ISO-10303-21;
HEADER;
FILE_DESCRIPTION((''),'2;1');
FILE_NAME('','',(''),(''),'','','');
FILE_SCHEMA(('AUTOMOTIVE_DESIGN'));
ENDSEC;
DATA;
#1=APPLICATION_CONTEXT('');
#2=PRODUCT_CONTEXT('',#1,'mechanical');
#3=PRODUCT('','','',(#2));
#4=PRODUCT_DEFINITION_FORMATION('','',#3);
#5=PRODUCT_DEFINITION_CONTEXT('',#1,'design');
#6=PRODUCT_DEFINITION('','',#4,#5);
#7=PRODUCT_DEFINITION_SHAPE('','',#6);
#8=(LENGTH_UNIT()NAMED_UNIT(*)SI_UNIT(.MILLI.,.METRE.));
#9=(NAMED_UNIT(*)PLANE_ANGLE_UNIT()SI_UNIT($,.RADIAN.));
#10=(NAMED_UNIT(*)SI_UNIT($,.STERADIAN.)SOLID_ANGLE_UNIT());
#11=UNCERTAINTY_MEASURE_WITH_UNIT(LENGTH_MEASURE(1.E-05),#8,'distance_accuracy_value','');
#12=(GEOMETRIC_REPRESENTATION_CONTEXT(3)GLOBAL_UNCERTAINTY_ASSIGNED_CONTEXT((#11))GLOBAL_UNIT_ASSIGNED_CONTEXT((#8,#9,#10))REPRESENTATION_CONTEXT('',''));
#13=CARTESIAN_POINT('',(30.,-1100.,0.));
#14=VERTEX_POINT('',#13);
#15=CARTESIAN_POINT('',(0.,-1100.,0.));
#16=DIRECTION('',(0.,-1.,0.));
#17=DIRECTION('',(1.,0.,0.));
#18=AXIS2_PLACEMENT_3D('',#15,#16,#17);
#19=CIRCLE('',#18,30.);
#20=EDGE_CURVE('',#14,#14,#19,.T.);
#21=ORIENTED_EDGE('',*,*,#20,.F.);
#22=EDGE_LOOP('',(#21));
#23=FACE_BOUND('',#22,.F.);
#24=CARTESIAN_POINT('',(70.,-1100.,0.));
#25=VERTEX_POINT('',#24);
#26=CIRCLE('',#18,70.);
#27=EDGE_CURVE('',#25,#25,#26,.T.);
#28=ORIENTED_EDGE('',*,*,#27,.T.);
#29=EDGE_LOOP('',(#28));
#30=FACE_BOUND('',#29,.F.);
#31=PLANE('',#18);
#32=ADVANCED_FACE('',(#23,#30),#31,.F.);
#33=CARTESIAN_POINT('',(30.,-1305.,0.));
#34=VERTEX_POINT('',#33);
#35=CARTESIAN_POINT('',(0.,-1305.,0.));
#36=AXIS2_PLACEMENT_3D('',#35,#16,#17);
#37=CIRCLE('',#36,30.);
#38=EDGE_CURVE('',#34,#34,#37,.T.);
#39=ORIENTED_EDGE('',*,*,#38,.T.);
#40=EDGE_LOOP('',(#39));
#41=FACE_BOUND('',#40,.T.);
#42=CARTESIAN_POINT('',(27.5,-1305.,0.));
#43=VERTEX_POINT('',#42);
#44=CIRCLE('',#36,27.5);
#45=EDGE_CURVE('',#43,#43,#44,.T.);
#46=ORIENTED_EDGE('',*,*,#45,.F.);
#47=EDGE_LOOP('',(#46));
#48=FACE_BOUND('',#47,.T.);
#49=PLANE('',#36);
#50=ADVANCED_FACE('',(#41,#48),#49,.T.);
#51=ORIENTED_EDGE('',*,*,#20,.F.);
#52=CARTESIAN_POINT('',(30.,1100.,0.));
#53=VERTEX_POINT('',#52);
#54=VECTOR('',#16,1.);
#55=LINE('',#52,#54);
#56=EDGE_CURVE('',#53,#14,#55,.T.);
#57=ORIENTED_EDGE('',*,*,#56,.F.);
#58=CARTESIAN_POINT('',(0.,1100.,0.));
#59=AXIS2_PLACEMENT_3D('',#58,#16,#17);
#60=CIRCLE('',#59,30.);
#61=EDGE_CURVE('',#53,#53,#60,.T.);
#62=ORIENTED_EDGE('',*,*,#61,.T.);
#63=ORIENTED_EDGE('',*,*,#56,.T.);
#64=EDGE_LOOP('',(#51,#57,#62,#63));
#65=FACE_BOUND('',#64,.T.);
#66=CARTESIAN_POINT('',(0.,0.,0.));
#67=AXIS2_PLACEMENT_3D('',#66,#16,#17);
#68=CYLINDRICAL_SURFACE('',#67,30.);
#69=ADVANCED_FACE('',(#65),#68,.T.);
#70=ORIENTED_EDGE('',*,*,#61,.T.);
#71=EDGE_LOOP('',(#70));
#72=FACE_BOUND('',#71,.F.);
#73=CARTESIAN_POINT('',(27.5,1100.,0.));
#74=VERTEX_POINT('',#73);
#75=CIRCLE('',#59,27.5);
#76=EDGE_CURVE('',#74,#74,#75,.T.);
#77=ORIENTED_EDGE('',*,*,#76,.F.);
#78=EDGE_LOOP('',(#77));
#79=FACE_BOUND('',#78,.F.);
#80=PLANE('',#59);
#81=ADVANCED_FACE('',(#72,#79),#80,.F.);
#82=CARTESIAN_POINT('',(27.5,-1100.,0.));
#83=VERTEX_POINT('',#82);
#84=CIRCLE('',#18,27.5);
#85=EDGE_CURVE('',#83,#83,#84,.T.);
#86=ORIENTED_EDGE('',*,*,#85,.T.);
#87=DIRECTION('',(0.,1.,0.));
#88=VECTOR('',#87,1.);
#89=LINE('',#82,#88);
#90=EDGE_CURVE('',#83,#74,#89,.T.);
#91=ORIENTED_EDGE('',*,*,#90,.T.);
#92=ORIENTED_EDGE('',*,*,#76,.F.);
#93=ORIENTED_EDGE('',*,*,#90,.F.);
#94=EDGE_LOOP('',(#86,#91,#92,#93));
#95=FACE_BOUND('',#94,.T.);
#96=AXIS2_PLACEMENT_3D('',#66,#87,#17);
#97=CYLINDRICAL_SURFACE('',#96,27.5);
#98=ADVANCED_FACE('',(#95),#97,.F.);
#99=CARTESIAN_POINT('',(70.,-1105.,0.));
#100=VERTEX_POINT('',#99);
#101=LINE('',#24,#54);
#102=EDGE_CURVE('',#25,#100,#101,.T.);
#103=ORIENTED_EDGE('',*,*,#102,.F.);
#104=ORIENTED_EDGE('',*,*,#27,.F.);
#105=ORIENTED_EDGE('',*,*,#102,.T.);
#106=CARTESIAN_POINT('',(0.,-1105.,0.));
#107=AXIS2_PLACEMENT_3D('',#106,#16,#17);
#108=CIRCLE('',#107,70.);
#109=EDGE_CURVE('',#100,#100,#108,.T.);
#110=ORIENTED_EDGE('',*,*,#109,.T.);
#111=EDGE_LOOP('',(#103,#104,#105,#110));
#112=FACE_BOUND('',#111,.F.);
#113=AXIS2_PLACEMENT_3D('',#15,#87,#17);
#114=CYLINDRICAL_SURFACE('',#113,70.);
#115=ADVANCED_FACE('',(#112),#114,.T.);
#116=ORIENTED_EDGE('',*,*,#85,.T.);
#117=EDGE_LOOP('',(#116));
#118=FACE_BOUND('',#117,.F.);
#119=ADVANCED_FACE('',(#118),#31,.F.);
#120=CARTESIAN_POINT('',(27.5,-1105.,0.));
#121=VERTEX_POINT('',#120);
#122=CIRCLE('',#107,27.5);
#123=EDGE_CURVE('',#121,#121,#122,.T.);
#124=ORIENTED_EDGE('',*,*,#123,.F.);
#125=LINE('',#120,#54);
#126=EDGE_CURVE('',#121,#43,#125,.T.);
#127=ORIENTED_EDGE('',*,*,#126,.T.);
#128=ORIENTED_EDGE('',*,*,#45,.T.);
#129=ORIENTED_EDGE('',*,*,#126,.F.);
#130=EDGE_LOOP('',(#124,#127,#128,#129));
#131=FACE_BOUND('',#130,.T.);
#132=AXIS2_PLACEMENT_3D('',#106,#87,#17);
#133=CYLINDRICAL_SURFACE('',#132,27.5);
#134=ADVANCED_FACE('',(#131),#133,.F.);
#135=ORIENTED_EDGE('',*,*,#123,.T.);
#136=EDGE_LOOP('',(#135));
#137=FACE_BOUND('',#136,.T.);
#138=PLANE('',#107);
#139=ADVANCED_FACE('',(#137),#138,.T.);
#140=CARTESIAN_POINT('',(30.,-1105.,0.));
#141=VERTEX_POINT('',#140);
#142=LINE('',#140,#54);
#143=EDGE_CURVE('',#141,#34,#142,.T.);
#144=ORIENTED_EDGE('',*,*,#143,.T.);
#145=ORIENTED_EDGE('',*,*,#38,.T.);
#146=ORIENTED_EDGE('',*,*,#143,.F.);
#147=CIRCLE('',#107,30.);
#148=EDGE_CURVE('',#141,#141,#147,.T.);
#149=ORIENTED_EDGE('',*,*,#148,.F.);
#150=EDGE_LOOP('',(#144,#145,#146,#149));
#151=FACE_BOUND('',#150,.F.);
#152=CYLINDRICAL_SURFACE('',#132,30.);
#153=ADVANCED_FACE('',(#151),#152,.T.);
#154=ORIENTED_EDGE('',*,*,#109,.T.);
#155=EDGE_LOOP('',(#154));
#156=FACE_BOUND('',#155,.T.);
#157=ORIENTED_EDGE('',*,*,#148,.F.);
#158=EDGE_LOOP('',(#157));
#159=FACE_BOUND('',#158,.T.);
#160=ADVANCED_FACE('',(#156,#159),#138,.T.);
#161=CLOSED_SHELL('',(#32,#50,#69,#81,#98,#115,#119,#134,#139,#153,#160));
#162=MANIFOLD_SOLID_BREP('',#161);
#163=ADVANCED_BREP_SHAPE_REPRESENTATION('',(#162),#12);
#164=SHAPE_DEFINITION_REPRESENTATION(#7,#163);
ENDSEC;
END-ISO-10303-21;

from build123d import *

# Parameters (mm, degrees)
F0_R     = 30
F0_R_2   = 27.5
F1_DEPTH = 1100
F2_R     = 70
F3_DEPTH = 5
F4_R     = 30
F4_R_2   = 27.5
F5_DEPTH = 200


with BuildPart() as f1:
    # F0 (on Front) → F1 (new body, symmetric)
    with BuildSketch(Plane.XZ):
        Circle(F0_R)
        Circle(F0_R_2, mode=Mode.SUBTRACT)
    extrude(amount=F1_DEPTH, both=True)

    # F2 (on face) → F3 (join)
    with BuildSketch(Plane.XZ.offset(1100)):
        Circle(F2_R)
    extrude(amount=F3_DEPTH)

    # F4 (on face) → F5 (join)
    with BuildSketch(Plane.XZ.offset(1105)):
        Circle(F4_R)
        Circle(F4_R_2, mode=Mode.SUBTRACT)
    extrude(amount=F5_DEPTH)


solid = f1.part
